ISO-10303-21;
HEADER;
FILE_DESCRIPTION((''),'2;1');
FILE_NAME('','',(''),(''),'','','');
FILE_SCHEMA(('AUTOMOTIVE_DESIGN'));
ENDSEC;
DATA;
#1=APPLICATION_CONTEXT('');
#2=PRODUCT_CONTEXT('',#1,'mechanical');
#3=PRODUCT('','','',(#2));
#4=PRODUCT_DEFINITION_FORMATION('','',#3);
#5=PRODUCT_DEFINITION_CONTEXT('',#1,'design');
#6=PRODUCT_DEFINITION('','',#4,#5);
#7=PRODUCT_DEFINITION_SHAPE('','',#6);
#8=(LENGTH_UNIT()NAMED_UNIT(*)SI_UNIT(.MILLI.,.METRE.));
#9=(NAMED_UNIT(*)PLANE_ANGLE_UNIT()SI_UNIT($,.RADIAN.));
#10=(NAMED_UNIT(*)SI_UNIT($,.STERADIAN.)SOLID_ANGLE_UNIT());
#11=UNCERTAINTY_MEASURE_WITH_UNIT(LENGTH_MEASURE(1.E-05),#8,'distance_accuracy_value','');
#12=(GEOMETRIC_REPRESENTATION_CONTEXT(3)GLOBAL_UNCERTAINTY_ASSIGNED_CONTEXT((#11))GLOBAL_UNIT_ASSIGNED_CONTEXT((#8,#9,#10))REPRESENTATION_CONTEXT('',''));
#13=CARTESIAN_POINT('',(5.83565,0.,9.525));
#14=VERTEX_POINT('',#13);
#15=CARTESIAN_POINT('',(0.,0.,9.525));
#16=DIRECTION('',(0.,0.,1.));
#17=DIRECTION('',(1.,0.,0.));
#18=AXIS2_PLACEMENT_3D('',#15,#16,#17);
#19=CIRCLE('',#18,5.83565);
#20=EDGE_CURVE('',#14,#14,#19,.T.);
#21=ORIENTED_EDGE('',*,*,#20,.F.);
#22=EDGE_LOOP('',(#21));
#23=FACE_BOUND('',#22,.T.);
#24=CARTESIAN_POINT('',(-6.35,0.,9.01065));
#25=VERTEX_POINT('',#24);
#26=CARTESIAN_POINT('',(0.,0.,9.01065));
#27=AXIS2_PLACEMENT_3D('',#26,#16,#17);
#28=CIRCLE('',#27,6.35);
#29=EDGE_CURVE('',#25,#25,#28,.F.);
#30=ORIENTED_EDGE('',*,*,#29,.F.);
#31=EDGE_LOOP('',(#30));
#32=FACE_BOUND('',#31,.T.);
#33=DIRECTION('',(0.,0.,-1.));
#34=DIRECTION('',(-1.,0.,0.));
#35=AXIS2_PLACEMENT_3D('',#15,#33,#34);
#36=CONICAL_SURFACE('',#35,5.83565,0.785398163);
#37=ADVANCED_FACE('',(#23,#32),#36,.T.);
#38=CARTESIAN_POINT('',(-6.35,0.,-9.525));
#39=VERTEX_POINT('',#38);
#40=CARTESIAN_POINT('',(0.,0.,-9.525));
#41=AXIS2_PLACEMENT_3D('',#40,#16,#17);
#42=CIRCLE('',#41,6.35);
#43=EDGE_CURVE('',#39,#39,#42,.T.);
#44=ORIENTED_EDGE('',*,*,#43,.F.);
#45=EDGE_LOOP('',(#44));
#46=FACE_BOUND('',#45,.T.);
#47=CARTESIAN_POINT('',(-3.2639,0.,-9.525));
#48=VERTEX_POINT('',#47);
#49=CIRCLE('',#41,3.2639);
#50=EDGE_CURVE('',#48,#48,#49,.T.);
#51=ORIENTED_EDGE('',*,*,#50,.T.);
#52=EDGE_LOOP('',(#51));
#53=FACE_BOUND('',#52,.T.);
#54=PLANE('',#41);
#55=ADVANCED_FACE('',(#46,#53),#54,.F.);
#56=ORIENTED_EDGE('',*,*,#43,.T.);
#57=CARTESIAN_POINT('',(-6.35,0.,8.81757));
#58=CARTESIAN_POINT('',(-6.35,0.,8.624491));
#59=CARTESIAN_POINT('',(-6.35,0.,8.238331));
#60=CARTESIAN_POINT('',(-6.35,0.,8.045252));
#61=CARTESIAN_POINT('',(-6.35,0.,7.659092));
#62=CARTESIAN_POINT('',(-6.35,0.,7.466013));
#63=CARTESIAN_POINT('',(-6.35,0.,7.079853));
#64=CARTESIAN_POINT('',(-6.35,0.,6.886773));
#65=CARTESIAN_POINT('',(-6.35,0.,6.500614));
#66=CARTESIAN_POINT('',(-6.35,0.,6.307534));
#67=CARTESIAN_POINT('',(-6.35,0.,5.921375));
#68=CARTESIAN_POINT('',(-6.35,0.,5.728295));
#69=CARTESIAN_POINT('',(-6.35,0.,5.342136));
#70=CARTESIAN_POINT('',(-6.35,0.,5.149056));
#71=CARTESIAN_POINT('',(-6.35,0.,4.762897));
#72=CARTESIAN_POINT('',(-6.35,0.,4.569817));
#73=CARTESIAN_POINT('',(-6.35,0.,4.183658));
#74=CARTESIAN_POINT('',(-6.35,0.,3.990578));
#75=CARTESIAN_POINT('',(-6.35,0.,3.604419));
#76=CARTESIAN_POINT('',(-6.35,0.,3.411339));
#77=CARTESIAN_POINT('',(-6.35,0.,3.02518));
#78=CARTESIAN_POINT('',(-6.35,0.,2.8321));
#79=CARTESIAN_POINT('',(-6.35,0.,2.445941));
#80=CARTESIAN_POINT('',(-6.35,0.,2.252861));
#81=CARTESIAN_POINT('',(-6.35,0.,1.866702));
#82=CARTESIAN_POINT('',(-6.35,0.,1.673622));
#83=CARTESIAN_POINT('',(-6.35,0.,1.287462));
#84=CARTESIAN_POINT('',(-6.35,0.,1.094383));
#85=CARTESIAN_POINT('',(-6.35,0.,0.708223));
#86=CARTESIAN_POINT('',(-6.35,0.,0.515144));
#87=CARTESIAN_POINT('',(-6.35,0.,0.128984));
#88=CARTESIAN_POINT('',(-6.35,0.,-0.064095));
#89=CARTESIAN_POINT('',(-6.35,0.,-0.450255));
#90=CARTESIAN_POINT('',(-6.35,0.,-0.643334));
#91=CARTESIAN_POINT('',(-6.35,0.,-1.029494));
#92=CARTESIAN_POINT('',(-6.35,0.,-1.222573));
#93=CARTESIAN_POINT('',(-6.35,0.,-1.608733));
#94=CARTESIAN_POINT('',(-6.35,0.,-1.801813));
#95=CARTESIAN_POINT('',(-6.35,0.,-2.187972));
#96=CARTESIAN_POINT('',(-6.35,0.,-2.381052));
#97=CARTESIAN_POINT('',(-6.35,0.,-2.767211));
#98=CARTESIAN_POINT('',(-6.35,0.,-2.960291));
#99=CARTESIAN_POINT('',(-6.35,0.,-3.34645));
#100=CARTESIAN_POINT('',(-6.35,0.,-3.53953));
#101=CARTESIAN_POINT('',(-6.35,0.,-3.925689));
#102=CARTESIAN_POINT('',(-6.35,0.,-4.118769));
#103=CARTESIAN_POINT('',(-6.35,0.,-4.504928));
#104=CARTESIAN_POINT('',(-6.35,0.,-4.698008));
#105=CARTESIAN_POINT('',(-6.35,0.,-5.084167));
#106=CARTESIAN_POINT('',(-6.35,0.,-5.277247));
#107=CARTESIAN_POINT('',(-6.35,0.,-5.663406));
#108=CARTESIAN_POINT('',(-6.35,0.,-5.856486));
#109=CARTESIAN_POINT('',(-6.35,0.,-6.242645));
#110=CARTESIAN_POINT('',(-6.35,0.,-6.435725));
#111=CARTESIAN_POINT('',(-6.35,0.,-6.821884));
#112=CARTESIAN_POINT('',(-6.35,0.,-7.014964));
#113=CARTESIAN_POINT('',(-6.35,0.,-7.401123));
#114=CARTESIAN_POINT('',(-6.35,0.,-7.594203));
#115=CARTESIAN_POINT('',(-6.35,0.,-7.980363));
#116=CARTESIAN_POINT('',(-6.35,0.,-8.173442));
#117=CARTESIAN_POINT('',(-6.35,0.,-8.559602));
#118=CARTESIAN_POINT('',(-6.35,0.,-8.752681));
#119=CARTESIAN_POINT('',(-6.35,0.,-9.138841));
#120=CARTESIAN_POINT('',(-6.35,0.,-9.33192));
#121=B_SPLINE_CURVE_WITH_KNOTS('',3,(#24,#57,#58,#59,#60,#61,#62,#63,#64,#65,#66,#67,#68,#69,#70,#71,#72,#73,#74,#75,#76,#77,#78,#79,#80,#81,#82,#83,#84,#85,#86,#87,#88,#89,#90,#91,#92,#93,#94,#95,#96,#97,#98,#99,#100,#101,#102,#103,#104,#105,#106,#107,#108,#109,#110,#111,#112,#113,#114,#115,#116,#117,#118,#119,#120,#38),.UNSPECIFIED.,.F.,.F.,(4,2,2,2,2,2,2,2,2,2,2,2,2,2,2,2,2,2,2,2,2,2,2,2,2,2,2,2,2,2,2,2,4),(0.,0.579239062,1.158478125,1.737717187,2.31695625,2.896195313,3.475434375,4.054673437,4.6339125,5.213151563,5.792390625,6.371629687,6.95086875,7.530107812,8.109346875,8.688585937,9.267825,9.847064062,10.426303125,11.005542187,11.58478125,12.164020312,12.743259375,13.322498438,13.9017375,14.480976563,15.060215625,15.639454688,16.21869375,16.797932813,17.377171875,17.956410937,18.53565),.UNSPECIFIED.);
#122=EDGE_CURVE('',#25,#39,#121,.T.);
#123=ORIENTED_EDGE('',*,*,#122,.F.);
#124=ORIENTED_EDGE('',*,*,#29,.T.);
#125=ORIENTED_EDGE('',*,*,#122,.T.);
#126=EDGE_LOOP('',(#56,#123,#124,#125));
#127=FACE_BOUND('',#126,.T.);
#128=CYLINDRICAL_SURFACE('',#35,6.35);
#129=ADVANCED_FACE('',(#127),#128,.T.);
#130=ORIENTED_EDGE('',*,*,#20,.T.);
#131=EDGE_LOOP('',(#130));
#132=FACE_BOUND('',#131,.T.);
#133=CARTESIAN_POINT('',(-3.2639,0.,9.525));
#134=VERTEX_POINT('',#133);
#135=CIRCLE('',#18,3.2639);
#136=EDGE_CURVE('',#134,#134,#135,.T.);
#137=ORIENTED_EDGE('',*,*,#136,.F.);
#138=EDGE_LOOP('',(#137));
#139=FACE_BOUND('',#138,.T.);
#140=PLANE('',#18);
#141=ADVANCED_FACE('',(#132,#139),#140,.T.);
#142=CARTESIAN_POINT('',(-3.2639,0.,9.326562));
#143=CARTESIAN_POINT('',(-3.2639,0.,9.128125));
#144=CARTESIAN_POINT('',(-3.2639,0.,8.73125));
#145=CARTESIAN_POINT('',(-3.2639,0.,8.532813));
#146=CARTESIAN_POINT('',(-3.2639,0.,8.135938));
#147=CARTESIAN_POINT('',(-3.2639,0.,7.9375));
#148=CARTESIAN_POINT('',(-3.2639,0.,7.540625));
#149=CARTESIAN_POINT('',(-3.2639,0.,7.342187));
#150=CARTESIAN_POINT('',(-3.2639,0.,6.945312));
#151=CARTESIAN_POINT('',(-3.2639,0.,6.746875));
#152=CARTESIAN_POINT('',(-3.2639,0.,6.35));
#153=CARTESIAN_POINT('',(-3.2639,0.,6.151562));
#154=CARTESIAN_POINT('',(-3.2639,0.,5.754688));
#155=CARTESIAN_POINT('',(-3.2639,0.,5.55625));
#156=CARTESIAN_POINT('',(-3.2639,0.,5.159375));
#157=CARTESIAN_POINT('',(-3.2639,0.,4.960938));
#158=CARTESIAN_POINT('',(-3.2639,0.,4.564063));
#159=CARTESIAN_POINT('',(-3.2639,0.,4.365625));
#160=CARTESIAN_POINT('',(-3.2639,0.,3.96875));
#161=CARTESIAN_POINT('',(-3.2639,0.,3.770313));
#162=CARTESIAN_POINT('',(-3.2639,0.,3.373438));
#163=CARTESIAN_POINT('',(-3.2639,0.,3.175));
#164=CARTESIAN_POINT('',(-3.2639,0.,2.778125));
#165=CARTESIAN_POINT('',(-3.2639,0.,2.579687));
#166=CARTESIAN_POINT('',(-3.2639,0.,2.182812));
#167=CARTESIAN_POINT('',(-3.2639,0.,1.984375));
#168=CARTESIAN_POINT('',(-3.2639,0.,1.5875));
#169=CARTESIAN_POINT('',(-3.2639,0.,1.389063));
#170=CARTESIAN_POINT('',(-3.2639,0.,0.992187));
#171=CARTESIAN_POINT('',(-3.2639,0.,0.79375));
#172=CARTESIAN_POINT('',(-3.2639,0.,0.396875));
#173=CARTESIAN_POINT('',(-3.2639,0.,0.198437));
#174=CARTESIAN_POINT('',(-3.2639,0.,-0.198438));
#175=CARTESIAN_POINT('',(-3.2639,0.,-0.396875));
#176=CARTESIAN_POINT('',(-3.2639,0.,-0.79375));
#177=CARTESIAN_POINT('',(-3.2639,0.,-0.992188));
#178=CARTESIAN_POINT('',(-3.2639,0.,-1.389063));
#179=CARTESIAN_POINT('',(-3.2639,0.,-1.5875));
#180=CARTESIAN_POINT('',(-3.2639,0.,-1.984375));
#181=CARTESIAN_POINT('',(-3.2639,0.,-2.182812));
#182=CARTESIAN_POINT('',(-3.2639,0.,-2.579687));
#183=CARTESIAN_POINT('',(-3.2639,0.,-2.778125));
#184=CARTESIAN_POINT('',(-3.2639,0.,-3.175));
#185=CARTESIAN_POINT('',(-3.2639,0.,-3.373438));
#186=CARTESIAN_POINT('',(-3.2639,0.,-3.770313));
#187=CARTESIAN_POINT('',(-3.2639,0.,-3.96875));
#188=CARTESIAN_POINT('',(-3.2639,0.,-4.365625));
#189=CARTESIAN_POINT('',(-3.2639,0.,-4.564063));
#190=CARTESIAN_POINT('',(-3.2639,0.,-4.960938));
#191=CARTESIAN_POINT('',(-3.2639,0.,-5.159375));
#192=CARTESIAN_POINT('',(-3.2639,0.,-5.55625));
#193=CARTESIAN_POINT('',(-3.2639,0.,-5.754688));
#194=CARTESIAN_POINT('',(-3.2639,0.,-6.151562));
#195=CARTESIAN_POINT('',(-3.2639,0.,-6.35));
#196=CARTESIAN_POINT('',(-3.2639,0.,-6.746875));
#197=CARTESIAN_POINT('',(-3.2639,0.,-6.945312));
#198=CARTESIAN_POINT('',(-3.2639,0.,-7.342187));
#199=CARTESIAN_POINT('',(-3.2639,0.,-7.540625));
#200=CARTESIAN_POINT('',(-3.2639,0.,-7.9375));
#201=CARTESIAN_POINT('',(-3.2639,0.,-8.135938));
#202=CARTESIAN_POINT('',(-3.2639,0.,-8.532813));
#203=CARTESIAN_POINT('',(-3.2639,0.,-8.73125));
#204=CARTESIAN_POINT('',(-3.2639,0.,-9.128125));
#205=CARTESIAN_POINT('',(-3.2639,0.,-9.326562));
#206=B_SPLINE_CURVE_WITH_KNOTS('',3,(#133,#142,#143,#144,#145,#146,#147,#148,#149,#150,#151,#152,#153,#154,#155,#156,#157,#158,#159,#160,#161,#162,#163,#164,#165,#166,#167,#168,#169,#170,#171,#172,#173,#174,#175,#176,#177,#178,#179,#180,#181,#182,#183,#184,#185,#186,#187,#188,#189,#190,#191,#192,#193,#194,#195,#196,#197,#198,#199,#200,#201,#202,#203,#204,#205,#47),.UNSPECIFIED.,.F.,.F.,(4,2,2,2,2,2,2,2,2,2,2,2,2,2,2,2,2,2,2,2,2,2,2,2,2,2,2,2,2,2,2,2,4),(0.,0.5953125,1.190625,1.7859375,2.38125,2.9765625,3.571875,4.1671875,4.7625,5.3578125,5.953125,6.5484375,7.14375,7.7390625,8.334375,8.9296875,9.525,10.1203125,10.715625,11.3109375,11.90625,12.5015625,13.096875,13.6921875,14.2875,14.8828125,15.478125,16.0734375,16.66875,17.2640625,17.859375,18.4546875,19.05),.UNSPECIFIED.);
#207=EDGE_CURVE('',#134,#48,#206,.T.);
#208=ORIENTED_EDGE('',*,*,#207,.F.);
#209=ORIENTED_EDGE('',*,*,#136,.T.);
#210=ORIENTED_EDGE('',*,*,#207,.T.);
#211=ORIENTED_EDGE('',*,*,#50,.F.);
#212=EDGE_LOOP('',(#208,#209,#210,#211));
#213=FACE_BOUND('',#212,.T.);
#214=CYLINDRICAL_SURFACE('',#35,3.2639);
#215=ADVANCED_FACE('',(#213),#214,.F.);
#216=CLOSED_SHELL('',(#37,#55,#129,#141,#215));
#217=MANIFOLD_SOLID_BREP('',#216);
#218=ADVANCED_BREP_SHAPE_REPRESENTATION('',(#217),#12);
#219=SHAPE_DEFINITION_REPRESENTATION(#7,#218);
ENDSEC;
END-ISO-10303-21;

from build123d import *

# Parameters (mm, degrees)
SKETCH1_R      = 6.35
SKETCH1_R_2    = 3.2639
EXTRUDE1_DEPTH = 9.525
CHAMFER1_SIZE  = 0.51435


with BuildPart() as part:
    # Sketch1 → Extrude1 (new, symmetric)
    with BuildSketch(Plane.XY):
        with Locations(Location((0, 0, 0), (0, 0, 180))):
            Circle(SKETCH1_R)
        with Locations(Location((0, 0, 0), (0, 0, 180))):
            Circle(SKETCH1_R_2, mode=Mode.SUBTRACT)
    extrude(amount=EXTRUDE1_DEPTH, both=True)

    # Chamfer1
    chamfer1_edges = [part.edges().sort_by_distance(p)[0] for p in [
        (6.35, 0, 9.525),
    ]]
    chamfer(chamfer1_edges, length=CHAMFER1_SIZE)


solid = part.part
